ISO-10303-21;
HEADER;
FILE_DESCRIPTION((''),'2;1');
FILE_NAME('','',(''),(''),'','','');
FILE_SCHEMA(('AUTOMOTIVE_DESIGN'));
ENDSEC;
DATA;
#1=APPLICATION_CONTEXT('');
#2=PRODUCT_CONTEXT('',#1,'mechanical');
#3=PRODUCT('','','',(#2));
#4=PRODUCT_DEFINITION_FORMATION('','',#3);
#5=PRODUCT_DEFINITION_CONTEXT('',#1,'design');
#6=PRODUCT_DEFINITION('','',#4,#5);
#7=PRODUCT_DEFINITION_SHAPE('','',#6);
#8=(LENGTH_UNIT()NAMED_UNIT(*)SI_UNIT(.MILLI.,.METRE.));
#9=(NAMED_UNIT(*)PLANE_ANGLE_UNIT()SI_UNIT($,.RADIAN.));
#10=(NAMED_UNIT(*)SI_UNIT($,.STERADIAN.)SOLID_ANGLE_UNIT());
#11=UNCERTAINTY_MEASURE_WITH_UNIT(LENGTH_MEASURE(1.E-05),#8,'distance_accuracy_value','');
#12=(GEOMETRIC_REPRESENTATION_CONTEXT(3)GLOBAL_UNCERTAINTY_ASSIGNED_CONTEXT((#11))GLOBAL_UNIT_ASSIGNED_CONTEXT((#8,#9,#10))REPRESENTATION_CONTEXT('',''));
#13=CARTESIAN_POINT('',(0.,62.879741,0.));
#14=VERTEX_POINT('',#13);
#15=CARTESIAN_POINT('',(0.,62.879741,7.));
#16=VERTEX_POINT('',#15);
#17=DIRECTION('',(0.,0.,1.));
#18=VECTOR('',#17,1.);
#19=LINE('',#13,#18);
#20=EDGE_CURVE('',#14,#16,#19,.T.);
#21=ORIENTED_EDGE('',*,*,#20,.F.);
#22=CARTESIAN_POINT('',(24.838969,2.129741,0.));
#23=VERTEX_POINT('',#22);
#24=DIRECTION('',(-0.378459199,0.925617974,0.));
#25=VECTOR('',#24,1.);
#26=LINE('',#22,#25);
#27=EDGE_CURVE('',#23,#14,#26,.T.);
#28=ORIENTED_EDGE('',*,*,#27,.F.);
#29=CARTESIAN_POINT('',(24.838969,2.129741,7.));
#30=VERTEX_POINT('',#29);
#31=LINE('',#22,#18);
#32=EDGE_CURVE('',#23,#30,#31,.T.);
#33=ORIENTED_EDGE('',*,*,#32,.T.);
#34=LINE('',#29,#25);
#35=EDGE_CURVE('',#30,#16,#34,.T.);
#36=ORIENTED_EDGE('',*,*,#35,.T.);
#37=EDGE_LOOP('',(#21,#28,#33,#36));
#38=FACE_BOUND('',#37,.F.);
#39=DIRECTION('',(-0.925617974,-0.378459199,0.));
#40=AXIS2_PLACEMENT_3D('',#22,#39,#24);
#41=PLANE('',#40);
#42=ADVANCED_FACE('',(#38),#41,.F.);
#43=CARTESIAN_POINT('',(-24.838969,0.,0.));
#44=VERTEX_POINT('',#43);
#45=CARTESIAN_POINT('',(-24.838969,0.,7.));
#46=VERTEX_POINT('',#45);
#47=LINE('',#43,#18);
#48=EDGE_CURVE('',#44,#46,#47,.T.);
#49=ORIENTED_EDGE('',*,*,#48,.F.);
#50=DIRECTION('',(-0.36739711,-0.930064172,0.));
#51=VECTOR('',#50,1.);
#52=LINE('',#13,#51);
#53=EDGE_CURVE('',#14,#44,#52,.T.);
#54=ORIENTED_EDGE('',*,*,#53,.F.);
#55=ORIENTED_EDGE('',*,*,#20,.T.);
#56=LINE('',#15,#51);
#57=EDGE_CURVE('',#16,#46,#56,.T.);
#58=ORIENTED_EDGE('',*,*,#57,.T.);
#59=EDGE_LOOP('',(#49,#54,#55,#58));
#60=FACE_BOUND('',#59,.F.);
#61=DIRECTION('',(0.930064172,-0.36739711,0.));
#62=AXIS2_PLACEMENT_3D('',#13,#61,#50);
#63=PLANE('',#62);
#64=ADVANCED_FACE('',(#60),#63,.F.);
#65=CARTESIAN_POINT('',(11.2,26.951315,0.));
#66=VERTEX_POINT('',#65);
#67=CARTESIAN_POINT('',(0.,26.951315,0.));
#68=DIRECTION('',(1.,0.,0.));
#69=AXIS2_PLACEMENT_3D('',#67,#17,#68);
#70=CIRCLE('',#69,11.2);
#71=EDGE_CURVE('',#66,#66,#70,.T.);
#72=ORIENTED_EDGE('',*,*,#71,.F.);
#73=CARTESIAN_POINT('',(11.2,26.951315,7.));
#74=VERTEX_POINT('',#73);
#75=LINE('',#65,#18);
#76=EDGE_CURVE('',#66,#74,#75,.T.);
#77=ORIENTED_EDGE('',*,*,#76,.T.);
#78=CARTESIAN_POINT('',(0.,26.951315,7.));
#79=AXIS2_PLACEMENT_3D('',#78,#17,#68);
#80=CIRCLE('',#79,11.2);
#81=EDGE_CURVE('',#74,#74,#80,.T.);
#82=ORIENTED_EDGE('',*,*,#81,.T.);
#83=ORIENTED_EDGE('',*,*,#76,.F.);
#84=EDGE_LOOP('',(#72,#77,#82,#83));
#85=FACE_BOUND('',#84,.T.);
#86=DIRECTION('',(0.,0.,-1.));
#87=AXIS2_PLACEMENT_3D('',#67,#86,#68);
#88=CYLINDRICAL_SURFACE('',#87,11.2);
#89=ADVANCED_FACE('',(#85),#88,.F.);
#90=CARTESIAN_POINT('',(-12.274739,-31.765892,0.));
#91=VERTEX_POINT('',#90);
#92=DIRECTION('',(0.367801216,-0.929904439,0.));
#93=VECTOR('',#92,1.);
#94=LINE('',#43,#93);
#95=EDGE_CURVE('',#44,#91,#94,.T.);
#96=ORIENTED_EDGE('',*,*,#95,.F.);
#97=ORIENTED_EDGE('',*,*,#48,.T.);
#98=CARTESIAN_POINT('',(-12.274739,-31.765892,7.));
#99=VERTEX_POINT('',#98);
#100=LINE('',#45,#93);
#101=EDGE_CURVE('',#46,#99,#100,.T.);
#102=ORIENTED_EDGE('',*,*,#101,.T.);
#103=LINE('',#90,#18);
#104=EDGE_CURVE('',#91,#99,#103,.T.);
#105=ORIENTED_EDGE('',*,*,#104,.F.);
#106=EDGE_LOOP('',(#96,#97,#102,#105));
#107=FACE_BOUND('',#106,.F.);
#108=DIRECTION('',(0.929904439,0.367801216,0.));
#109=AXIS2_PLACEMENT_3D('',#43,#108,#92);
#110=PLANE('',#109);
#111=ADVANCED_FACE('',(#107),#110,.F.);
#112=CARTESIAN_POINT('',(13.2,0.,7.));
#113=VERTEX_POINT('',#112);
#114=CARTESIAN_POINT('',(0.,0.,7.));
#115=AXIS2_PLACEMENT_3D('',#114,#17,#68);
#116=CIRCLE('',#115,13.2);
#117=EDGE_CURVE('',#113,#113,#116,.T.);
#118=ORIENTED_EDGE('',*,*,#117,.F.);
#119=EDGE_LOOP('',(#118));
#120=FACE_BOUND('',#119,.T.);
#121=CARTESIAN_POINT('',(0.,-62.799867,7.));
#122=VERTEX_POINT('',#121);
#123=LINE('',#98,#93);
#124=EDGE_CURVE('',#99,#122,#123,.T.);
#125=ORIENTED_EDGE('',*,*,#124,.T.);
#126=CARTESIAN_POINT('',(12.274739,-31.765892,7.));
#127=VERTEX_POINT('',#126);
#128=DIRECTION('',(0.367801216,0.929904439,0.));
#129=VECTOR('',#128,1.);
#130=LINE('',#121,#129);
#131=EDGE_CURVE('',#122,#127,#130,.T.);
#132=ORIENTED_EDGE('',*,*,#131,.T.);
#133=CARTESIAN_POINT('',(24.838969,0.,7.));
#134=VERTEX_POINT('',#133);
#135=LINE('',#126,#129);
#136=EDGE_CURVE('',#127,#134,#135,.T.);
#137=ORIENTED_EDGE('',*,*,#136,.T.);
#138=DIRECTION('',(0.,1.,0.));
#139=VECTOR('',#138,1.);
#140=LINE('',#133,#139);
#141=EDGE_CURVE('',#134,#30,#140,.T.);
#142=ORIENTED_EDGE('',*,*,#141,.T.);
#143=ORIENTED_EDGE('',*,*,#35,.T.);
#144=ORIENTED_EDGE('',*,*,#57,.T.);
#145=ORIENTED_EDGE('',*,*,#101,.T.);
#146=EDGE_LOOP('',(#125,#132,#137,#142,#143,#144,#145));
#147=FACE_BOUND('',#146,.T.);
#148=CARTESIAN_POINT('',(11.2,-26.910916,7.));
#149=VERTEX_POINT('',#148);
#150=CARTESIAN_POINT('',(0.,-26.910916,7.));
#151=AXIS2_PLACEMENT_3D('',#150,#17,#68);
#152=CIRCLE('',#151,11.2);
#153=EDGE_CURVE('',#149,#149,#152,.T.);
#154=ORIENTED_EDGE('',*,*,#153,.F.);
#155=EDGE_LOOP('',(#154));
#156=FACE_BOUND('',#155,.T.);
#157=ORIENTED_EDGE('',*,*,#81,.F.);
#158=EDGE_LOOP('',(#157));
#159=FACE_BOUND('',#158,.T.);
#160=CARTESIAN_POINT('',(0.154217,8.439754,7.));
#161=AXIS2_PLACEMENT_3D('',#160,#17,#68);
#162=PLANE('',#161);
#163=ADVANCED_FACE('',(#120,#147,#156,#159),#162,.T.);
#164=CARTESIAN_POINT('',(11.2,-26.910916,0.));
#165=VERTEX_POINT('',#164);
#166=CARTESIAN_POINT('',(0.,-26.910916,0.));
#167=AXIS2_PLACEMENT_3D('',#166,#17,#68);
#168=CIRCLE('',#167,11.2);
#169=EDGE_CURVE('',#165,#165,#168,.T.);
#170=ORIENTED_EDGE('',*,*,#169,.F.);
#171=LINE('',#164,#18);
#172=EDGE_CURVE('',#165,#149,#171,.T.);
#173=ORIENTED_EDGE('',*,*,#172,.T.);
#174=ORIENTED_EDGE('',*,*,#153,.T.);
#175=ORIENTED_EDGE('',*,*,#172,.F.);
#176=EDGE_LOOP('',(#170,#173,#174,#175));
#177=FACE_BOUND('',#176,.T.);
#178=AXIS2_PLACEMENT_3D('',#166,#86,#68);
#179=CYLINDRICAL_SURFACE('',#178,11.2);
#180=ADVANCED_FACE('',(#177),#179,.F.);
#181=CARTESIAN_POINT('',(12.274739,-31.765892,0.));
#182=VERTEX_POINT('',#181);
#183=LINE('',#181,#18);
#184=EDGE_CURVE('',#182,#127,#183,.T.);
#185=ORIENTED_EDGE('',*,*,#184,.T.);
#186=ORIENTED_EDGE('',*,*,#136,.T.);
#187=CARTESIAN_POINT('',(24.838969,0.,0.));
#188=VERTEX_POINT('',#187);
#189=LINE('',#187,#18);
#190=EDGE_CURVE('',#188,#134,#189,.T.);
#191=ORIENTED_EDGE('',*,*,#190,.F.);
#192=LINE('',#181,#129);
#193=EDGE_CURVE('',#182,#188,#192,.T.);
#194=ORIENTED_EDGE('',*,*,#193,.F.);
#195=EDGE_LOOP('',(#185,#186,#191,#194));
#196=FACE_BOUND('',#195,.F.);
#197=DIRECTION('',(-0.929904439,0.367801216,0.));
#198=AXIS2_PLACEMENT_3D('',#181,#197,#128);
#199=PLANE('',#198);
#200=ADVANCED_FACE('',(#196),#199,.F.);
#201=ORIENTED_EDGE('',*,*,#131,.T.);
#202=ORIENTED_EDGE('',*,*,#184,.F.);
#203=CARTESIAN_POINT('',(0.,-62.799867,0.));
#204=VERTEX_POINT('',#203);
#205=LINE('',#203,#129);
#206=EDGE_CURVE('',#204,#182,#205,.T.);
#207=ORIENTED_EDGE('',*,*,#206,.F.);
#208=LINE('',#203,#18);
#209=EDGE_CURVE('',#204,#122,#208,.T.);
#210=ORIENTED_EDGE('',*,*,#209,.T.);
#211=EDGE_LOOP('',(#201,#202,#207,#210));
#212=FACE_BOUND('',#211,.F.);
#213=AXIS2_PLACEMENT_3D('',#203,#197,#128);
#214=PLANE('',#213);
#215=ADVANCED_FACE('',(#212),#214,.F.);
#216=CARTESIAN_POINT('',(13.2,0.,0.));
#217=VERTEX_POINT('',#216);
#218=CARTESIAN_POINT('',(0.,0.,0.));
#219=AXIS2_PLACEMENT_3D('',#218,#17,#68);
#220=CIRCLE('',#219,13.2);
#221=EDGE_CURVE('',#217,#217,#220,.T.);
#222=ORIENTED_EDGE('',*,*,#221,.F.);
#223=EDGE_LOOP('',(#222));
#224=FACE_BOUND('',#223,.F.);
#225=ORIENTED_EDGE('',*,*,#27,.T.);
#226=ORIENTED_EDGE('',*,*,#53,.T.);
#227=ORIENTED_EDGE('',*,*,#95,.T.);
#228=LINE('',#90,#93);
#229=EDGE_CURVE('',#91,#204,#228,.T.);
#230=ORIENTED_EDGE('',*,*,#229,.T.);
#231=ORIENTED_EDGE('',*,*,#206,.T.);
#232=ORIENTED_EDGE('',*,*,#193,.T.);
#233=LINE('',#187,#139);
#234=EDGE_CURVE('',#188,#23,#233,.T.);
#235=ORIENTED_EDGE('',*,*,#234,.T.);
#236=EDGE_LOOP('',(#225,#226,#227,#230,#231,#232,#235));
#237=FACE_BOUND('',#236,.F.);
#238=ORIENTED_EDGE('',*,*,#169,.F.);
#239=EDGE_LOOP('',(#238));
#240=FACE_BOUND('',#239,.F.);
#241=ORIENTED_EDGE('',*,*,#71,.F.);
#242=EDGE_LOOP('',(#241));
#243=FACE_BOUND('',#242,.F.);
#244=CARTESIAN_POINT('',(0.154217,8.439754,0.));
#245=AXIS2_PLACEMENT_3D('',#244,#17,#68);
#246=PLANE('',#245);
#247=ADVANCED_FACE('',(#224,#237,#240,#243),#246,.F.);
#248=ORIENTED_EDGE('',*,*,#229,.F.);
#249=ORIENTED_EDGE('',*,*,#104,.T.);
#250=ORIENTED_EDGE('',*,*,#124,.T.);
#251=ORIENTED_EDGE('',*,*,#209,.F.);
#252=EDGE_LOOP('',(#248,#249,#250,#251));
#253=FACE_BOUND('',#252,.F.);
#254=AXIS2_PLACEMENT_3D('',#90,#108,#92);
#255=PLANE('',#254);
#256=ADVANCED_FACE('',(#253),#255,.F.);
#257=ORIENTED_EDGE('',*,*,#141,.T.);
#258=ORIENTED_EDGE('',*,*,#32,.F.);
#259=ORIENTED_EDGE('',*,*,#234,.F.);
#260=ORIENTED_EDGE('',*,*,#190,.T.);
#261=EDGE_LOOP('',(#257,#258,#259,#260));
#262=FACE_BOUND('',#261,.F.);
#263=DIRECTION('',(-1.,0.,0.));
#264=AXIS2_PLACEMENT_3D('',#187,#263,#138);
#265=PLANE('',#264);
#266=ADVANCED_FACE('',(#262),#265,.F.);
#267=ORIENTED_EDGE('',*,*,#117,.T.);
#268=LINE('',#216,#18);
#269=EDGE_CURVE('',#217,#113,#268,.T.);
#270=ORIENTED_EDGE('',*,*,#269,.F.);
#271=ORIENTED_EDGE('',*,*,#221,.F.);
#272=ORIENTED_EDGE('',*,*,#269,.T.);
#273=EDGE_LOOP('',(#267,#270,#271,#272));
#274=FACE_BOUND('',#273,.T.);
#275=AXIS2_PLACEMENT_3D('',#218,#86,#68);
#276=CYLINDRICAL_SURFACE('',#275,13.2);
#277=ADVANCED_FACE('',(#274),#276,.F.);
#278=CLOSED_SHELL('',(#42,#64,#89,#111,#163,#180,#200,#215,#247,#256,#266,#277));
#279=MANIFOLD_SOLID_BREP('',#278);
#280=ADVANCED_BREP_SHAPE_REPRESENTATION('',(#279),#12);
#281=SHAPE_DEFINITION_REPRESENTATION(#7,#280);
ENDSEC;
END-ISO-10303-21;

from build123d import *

# Parameters (mm, degrees)
F0_R     = 13.2
F0_R_2   = 11.2
F1_DEPTH = 7


with BuildPart() as f1:
    # F0 (on Top) → F1 (new body)
    with BuildSketch(Plane.XY):
        with BuildLine():
            Line((0, 62.8797411919), (-12.2768469832, 31.8009569457))
            Line((-12.2768469832, 31.8009569457), (-24.8389690807, 0))
            Line((-24.8389690807, 0), (-12.2747386314, -31.7658919264))
            ThreePointArc((-12.2747386314, -31.7658919264), (-2.4711788751, -13.9442943997), (13.2, -26.9109159708))
            ThreePointArc((13.2, -26.9109159708), (12.9666215525, -29.3820949435), (12.2747385583, -31.7658921113))
            Line((12.2747385583, -31.7658921113), (24.8389690807, 0))
            Line((24.8389690807, 0), (24.8389690807, 2.1297414787))
            Line((24.8389690807, 2.1297414787), (0, 62.8797411919))
        make_face()
        Circle(F0_R, mode=Mode.SUBTRACT)
        with BuildLine():
            ThreePointArc((-12.2768469832, 31.8009569457), (2.4683617869, 39.9184730161), (13.2, 26.9513148814))
            ThreePointArc((13.2, 26.9513148814), (-2.4683617869, 13.9841567468), (-12.2768469832, 31.8009569457))
        make_face(mode=Mode.SUBTRACT)
        with BuildLine():
            ThreePointArc((-12.2768469832, 31.8009569457), (-2.4683617869, 13.9841567468), (13.2, 26.9513148814))
            ThreePointArc((13.2, 26.9513148814), (2.4683617869, 39.9184730161), (-12.2768469832, 31.8009569457))
        make_face()
        with Locations((0, 26.9513148814)):
            Circle(F0_R_2, mode=Mode.SUBTRACT)
        with BuildLine():
            ThreePointArc((13.2, -26.9109159708), (-2.4711788751, -13.9442943997), (-12.2747386314, -31.7658919264))
            ThreePointArc((-12.2747386314, -31.7658919264), (-9.94e-08, -40.1109159708), (12.2747385583, -31.7658921113))
            ThreePointArc((12.2747385583, -31.7658921113), (12.9666215525, -29.3820949435), (13.2, -26.9109159708))
        make_face()
        with Locations((0, -26.9109159708)):
            Circle(F0_R_2, mode=Mode.SUBTRACT)
        with BuildLine():
            ThreePointArc((12.2747385583, -31.7658921113), (-9.94e-08, -40.1109159708), (-12.2747386314, -31.7658919264))
            Line((-12.2747386314, -31.7658919264), (0, -62.7998674944))
            Line((0, -62.7998674944), (12.2747385583, -31.7658921113))
        make_face()
    extrude(amount=F1_DEPTH)


solid = f1.part
